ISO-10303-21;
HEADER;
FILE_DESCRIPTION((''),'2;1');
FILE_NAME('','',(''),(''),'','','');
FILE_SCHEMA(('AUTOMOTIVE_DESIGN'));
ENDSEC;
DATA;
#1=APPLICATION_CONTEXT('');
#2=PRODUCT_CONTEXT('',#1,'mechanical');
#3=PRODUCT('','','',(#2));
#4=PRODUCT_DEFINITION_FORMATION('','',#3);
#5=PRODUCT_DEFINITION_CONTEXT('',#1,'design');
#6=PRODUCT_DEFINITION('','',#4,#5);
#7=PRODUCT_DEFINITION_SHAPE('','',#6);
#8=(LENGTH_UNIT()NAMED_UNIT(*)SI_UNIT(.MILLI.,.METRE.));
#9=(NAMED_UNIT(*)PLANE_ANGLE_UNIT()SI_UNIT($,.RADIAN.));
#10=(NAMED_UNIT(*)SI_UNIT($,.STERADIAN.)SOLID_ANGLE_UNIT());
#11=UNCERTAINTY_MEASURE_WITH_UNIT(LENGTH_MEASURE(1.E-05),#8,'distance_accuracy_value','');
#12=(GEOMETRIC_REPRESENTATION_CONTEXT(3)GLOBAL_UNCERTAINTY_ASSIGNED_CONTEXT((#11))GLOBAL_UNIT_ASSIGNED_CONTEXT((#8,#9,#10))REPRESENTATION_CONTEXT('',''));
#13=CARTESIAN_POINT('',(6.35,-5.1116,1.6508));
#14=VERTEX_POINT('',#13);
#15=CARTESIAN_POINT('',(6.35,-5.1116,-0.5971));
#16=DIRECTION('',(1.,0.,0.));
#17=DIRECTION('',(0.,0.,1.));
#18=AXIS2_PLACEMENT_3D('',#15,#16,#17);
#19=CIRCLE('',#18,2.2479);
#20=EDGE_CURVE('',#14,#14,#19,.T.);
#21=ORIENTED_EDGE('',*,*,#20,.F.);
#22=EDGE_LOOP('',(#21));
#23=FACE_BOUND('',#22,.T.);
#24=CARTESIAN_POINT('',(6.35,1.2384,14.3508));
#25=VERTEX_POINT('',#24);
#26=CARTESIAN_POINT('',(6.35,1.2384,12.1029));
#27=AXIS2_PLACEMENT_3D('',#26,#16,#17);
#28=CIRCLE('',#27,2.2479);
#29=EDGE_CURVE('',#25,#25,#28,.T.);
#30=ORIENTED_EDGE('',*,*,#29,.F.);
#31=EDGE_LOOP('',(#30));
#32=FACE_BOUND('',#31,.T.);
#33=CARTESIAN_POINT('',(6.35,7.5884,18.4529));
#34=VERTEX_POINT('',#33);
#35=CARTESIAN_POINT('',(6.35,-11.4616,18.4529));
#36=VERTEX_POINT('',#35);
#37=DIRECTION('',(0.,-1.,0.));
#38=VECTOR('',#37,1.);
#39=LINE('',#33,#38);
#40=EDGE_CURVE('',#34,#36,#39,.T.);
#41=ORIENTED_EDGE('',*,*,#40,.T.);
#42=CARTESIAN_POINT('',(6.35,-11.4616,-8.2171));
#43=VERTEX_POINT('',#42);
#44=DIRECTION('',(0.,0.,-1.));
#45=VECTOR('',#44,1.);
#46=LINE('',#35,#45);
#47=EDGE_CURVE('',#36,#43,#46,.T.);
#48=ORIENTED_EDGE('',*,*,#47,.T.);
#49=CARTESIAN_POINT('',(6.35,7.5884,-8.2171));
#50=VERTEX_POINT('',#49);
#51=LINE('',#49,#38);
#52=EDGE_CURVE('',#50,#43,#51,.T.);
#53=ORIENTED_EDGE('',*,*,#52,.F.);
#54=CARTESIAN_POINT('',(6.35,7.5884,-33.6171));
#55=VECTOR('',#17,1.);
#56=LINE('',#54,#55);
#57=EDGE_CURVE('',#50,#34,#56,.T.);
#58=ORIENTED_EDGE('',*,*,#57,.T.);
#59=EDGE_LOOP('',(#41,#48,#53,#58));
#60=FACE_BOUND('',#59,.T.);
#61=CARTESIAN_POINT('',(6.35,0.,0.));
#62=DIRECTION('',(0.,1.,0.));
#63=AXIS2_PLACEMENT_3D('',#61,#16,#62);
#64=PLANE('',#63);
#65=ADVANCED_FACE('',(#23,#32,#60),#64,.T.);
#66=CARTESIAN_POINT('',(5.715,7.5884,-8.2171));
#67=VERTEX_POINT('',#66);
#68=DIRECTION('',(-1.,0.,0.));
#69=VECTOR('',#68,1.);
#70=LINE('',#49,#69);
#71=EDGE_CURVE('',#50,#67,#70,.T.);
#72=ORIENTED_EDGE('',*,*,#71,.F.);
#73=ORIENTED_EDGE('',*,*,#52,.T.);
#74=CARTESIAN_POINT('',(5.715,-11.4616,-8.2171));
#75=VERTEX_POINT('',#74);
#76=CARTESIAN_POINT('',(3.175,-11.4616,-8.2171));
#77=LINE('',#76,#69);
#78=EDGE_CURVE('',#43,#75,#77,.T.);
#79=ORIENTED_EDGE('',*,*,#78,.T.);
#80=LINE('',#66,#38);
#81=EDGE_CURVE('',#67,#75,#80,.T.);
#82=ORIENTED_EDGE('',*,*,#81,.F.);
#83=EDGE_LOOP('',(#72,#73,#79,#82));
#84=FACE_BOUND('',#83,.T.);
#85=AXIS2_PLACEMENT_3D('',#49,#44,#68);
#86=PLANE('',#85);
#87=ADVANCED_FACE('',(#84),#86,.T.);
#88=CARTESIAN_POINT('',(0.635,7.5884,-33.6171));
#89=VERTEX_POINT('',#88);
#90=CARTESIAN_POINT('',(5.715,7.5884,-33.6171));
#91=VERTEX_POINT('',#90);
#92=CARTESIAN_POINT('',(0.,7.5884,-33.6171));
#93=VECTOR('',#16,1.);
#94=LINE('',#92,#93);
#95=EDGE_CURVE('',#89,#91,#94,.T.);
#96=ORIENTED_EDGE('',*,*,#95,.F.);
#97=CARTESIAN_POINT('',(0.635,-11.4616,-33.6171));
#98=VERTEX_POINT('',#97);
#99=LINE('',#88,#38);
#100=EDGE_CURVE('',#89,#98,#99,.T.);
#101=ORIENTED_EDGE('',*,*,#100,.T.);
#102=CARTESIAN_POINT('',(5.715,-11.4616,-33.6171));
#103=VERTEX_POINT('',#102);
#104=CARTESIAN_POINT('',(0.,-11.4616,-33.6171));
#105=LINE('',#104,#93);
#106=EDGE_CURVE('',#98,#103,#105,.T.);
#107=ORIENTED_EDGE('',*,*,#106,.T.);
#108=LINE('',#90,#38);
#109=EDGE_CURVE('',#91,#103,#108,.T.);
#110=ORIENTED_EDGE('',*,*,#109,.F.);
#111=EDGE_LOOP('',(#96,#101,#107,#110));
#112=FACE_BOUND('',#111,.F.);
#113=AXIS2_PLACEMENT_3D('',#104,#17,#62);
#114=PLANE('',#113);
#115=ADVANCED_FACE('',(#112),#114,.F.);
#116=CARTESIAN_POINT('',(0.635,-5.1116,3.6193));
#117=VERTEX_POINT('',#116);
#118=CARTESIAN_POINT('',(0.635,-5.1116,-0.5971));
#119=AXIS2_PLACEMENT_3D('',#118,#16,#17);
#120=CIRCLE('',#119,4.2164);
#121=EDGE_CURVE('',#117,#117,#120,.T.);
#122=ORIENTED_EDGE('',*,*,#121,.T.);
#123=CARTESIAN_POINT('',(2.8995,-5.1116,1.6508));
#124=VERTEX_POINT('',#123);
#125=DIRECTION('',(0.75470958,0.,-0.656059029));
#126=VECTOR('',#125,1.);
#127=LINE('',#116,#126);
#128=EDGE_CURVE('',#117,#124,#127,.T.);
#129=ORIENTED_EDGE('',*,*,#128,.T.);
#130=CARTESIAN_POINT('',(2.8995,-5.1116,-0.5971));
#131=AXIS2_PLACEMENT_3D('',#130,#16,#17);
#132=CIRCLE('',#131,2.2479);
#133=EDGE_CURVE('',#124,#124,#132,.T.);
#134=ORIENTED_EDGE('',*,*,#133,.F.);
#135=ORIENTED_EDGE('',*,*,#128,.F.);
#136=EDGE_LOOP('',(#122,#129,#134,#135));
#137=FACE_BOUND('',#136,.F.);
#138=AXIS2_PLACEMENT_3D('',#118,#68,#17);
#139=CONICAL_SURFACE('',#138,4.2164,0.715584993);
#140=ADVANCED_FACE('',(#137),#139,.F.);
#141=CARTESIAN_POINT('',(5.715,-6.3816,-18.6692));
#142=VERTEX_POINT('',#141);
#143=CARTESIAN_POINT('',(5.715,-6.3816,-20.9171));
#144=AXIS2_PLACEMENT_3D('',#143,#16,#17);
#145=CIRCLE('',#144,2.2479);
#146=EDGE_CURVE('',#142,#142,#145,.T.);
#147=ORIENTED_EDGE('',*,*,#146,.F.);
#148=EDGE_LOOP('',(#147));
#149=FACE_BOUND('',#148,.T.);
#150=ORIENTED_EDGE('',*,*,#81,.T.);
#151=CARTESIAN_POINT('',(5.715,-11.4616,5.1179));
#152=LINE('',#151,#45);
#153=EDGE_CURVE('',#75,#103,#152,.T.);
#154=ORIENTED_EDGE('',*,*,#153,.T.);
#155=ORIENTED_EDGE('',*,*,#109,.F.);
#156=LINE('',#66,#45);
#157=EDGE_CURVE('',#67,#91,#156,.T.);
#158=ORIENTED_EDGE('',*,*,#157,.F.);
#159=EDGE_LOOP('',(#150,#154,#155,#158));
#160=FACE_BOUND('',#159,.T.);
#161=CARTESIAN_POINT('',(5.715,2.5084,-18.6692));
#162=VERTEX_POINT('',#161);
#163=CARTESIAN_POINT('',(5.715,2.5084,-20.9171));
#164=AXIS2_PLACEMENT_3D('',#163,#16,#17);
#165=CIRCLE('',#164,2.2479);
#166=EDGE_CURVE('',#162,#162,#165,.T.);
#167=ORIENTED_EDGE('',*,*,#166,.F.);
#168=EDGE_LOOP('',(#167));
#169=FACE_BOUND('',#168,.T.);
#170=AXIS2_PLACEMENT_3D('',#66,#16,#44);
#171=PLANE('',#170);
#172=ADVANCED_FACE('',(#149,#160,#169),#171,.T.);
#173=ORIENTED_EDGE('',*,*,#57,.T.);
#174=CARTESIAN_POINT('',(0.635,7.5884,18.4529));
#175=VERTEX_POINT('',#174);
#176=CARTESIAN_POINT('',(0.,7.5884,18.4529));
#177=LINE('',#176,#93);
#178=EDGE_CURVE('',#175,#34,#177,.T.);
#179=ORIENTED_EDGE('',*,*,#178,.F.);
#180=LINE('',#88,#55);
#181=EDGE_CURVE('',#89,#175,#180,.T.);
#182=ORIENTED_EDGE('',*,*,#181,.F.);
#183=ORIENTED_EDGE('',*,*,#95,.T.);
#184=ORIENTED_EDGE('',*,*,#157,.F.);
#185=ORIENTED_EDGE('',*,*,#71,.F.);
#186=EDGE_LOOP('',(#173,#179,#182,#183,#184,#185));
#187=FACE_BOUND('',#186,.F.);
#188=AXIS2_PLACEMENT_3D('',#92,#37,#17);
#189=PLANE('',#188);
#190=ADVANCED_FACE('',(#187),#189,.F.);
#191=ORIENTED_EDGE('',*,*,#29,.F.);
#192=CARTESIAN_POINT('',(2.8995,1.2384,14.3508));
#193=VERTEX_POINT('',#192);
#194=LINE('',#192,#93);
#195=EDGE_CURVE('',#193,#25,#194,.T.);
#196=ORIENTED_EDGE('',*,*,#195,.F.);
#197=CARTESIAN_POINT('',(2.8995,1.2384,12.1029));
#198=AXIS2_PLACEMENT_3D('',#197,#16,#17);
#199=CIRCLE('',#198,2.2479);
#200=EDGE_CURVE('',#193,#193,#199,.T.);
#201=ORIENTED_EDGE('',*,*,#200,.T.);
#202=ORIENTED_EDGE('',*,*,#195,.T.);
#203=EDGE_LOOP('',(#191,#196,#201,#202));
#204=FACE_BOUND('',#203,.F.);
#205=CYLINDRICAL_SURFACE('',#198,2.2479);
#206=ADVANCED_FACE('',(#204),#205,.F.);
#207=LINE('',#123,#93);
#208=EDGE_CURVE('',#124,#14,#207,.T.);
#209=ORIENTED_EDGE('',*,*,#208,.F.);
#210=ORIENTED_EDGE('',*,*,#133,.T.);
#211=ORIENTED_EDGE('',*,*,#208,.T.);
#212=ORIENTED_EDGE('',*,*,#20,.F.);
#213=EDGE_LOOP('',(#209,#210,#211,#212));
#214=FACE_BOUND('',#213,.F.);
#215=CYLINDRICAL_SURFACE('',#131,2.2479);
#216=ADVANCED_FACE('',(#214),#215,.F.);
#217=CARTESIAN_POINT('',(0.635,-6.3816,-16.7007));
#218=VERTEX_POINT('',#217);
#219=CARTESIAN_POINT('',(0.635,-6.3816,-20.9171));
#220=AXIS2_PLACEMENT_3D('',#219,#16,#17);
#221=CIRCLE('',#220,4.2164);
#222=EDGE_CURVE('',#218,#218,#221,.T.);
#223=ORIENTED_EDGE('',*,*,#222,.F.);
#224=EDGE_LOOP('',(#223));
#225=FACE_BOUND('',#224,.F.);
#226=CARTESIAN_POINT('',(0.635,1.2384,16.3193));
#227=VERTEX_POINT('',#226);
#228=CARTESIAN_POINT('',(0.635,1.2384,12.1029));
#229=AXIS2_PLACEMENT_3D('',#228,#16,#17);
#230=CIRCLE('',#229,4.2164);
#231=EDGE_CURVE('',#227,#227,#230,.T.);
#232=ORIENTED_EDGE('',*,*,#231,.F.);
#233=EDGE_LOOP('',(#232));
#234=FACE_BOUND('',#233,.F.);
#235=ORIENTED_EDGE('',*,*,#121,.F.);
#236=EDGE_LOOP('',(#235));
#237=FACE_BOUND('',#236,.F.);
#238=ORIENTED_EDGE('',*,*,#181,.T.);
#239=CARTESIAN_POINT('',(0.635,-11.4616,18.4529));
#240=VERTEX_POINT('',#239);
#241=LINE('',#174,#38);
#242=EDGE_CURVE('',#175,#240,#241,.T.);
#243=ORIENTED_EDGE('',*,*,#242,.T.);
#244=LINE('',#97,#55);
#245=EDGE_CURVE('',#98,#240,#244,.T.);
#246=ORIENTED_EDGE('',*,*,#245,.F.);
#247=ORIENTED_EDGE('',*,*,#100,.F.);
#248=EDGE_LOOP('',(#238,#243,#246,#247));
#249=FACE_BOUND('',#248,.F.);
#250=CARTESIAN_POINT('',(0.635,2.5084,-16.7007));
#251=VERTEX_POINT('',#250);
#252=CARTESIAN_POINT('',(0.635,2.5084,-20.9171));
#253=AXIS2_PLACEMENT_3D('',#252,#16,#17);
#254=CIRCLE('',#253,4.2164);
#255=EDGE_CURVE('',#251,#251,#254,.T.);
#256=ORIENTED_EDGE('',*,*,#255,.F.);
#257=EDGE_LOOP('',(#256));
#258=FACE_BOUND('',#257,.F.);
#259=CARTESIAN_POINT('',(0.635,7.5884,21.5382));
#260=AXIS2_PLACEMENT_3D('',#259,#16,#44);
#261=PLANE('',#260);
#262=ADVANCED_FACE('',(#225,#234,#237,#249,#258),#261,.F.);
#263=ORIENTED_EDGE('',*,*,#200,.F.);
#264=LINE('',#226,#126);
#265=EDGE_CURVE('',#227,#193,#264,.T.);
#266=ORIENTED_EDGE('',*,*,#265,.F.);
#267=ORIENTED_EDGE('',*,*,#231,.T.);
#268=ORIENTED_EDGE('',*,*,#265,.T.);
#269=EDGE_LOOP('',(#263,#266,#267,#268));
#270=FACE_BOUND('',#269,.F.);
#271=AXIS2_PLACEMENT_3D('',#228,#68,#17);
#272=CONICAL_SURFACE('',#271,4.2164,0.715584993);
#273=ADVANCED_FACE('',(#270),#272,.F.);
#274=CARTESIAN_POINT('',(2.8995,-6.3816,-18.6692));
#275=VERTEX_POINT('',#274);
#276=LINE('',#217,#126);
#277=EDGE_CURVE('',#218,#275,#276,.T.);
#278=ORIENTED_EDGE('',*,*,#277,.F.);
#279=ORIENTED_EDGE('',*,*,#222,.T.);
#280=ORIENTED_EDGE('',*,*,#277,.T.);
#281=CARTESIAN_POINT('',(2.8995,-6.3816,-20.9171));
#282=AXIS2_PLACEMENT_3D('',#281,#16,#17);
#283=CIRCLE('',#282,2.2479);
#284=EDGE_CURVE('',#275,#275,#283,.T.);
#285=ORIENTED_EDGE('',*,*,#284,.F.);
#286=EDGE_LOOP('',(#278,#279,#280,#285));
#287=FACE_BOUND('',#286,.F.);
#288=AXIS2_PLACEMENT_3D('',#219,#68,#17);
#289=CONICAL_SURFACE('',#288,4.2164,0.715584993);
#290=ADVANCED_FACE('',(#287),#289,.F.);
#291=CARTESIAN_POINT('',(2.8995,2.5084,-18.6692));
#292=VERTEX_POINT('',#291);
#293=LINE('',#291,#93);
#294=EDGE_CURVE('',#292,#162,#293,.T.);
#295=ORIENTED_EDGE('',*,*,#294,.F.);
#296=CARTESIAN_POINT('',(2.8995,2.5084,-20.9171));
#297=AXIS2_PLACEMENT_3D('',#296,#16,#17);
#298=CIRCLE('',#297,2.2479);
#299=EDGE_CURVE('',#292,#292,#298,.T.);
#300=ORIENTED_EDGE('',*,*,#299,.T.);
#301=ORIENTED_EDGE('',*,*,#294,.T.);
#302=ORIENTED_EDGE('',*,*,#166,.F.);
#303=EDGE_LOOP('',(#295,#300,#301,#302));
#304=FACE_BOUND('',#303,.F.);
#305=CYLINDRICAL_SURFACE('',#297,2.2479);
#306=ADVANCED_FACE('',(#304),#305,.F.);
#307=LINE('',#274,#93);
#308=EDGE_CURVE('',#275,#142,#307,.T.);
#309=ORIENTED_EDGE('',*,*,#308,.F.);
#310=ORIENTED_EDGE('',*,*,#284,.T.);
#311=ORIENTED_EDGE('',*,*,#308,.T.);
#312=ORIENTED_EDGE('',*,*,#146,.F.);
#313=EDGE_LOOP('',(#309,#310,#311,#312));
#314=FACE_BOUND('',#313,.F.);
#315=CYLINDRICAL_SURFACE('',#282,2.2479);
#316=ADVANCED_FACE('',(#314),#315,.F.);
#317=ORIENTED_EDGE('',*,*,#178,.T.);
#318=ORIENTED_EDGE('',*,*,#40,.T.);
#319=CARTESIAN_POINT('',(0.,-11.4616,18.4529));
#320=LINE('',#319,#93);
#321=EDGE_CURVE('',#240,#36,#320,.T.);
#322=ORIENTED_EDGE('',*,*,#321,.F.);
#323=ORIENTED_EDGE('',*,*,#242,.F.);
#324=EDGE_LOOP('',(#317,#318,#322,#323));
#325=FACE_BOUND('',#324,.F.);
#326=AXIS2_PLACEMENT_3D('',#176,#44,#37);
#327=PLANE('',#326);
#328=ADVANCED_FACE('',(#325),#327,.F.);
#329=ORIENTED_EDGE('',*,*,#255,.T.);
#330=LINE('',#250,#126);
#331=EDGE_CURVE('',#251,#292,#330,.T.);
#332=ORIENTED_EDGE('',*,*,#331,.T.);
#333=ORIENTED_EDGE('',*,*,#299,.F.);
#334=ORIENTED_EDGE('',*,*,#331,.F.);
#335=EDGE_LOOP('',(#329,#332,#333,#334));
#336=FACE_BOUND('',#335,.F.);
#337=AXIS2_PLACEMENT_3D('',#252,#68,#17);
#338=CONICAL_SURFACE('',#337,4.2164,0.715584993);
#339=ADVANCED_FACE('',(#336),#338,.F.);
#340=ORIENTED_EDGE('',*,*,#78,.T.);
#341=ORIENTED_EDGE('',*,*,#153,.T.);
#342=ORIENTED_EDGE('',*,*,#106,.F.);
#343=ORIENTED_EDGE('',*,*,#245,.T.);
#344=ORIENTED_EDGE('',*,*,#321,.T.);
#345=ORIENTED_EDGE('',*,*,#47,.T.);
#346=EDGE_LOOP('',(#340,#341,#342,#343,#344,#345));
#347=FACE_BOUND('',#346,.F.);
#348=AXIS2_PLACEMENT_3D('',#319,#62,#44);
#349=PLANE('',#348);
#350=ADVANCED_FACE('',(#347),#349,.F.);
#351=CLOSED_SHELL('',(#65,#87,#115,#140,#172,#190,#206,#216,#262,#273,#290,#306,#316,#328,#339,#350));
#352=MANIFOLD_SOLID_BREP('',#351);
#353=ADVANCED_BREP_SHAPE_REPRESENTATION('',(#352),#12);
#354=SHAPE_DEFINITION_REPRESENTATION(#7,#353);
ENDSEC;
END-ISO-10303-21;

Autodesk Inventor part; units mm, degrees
ref_plane "YZ Plane" through (0, 0, 0) normal (1, 0, 0) x (0, 1, 0)
ref_plane "XZ Plane" through (0, 0, 0) normal (0, 1, 0) x (-1, 0, 0)
ref_plane "XY Plane" through (0, 0, 0) normal (0, 0, 1) x (1, 0, 0)
sketch "Sketch1" plane through (0, 0, 0) normal (1, 0, 0) x (0, 1, 0)
  line L0 (7.5884, 18.4529) -> (-11.4616, 18.4529)
  line L1 (-11.4616, 18.4529) -> (-11.4616, -33.6171)
  line L2 (-11.4616, -33.6171) -> (7.5884, -33.6171)
  line L3 (7.5884, -33.6171) -> (7.5884, 18.4529)
  point P0 (0, 0)
  dimension "d0" = 52.07
  dimension "d1" = 19.05
extrude "Extrusion1" add sketch "Sketch1" along normal blind 6.35
sketch "Sketch3" plane through (0, 7.5884, 18.4529) normal (0, 1, 0) x (1, 0, 0)
  line L0 (0, 26.67) -> (0.635, 26.67)
  line L1 (0.635, 26.67) -> (0.635, 52.07)
  line L2 (0.635, 52.07) -> (0, 52.07)
  line L3 (0, 52.07) -> (0, 26.67)
  line L4 (5.715, 52.07) -> (6.35, 52.07)
  line L5 (6.35, 52.07) -> (6.35, 26.67)
  line L6 (6.35, 26.67) -> (5.715, 26.67)
  line L7 (5.715, 26.67) -> (5.715, 52.07)
  line L8 (6.35, 52.07) -> (6.35, 0) projected
  line L9 (0, 52.07) -> (0, 0) projected
  line L10 (0, 52.07) -> (6.35, 52.07) projected
  point P0 (0, 18.4529)
  dimension "d19" = 25.4
  dimension "d20" = 25.4
  dimension "d21" = 0
  dimension "d22" = 0
  dimension "d23" = 0.635
  dimension "d24" = 0.635
  dimension "d25" = 0
extrude "Extrusion2" cut sketch "Sketch3" against normal blind 50.8
sketch "Sketch4" plane through (0, 7.5884, 18.4529) normal (0, 1, 0) x (1, 0, 0)
  line L0 (0.635, 34.7601) -> (-3.8704, 34.7601)
  line L1 (-3.8704, 34.7601) -> (-3.8704, -3.0853)
  line L2 (-3.8704, -3.0853) -> (0.635, -3.0853)
  line L3 (0.635, -3.0853) -> (0.635, 34.7601)
  line L4 (0.635, 52.07) -> (0.635, 26.67) projected
  point P0 (0, 18.4529)
  dimension "d28" = 0
extrude "Extrusion3" cut sketch "Sketch4" against normal blind 25.4
sketch "Sketch5" plane through (0.635, 7.5884, -33.6171) normal (-1, 0, 0) x (0, 0, 1)
  line L0 (52.07, 0) -> (52.07, -19.05) projected
  line L1 (0, 0) -> (52.07, 0) projected
  line L2 (0, -19.05) -> (0, 0) projected
  point P0 (33.6171, -7.5884)
  point P1 (45.72, -6.35)
  point P2 (33.02, -12.7)
  point P3 (12.7, -5.08)
  point P4 (12.7, -13.97)
  dimension "d31" = 6.35
  dimension "d32" = 6.35
  dimension "d33" = 12.7
  dimension "d34" = 19.05
  dimension "d35" = 5.08
  dimension "d36" = 12.7
  dimension "d37" = 12.7
  dimension "d38" = 13.97
hole "Hole2" at (0.635, 1.2384, 12.1029) at (0.635, -5.1116, -0.5971) at (0.635, 2.5084, -20.9171) at (0.635, -6.3816, -20.9171) direction (1, 0, 0) diameter 4.4958 end through all countersink diameter 8.4328 countersink angle 82 clearance for "Flat Head Machine Screw (82)" size "#8" standard "Ansi Unified Screw Threads"
properties part number "SidePlate"
